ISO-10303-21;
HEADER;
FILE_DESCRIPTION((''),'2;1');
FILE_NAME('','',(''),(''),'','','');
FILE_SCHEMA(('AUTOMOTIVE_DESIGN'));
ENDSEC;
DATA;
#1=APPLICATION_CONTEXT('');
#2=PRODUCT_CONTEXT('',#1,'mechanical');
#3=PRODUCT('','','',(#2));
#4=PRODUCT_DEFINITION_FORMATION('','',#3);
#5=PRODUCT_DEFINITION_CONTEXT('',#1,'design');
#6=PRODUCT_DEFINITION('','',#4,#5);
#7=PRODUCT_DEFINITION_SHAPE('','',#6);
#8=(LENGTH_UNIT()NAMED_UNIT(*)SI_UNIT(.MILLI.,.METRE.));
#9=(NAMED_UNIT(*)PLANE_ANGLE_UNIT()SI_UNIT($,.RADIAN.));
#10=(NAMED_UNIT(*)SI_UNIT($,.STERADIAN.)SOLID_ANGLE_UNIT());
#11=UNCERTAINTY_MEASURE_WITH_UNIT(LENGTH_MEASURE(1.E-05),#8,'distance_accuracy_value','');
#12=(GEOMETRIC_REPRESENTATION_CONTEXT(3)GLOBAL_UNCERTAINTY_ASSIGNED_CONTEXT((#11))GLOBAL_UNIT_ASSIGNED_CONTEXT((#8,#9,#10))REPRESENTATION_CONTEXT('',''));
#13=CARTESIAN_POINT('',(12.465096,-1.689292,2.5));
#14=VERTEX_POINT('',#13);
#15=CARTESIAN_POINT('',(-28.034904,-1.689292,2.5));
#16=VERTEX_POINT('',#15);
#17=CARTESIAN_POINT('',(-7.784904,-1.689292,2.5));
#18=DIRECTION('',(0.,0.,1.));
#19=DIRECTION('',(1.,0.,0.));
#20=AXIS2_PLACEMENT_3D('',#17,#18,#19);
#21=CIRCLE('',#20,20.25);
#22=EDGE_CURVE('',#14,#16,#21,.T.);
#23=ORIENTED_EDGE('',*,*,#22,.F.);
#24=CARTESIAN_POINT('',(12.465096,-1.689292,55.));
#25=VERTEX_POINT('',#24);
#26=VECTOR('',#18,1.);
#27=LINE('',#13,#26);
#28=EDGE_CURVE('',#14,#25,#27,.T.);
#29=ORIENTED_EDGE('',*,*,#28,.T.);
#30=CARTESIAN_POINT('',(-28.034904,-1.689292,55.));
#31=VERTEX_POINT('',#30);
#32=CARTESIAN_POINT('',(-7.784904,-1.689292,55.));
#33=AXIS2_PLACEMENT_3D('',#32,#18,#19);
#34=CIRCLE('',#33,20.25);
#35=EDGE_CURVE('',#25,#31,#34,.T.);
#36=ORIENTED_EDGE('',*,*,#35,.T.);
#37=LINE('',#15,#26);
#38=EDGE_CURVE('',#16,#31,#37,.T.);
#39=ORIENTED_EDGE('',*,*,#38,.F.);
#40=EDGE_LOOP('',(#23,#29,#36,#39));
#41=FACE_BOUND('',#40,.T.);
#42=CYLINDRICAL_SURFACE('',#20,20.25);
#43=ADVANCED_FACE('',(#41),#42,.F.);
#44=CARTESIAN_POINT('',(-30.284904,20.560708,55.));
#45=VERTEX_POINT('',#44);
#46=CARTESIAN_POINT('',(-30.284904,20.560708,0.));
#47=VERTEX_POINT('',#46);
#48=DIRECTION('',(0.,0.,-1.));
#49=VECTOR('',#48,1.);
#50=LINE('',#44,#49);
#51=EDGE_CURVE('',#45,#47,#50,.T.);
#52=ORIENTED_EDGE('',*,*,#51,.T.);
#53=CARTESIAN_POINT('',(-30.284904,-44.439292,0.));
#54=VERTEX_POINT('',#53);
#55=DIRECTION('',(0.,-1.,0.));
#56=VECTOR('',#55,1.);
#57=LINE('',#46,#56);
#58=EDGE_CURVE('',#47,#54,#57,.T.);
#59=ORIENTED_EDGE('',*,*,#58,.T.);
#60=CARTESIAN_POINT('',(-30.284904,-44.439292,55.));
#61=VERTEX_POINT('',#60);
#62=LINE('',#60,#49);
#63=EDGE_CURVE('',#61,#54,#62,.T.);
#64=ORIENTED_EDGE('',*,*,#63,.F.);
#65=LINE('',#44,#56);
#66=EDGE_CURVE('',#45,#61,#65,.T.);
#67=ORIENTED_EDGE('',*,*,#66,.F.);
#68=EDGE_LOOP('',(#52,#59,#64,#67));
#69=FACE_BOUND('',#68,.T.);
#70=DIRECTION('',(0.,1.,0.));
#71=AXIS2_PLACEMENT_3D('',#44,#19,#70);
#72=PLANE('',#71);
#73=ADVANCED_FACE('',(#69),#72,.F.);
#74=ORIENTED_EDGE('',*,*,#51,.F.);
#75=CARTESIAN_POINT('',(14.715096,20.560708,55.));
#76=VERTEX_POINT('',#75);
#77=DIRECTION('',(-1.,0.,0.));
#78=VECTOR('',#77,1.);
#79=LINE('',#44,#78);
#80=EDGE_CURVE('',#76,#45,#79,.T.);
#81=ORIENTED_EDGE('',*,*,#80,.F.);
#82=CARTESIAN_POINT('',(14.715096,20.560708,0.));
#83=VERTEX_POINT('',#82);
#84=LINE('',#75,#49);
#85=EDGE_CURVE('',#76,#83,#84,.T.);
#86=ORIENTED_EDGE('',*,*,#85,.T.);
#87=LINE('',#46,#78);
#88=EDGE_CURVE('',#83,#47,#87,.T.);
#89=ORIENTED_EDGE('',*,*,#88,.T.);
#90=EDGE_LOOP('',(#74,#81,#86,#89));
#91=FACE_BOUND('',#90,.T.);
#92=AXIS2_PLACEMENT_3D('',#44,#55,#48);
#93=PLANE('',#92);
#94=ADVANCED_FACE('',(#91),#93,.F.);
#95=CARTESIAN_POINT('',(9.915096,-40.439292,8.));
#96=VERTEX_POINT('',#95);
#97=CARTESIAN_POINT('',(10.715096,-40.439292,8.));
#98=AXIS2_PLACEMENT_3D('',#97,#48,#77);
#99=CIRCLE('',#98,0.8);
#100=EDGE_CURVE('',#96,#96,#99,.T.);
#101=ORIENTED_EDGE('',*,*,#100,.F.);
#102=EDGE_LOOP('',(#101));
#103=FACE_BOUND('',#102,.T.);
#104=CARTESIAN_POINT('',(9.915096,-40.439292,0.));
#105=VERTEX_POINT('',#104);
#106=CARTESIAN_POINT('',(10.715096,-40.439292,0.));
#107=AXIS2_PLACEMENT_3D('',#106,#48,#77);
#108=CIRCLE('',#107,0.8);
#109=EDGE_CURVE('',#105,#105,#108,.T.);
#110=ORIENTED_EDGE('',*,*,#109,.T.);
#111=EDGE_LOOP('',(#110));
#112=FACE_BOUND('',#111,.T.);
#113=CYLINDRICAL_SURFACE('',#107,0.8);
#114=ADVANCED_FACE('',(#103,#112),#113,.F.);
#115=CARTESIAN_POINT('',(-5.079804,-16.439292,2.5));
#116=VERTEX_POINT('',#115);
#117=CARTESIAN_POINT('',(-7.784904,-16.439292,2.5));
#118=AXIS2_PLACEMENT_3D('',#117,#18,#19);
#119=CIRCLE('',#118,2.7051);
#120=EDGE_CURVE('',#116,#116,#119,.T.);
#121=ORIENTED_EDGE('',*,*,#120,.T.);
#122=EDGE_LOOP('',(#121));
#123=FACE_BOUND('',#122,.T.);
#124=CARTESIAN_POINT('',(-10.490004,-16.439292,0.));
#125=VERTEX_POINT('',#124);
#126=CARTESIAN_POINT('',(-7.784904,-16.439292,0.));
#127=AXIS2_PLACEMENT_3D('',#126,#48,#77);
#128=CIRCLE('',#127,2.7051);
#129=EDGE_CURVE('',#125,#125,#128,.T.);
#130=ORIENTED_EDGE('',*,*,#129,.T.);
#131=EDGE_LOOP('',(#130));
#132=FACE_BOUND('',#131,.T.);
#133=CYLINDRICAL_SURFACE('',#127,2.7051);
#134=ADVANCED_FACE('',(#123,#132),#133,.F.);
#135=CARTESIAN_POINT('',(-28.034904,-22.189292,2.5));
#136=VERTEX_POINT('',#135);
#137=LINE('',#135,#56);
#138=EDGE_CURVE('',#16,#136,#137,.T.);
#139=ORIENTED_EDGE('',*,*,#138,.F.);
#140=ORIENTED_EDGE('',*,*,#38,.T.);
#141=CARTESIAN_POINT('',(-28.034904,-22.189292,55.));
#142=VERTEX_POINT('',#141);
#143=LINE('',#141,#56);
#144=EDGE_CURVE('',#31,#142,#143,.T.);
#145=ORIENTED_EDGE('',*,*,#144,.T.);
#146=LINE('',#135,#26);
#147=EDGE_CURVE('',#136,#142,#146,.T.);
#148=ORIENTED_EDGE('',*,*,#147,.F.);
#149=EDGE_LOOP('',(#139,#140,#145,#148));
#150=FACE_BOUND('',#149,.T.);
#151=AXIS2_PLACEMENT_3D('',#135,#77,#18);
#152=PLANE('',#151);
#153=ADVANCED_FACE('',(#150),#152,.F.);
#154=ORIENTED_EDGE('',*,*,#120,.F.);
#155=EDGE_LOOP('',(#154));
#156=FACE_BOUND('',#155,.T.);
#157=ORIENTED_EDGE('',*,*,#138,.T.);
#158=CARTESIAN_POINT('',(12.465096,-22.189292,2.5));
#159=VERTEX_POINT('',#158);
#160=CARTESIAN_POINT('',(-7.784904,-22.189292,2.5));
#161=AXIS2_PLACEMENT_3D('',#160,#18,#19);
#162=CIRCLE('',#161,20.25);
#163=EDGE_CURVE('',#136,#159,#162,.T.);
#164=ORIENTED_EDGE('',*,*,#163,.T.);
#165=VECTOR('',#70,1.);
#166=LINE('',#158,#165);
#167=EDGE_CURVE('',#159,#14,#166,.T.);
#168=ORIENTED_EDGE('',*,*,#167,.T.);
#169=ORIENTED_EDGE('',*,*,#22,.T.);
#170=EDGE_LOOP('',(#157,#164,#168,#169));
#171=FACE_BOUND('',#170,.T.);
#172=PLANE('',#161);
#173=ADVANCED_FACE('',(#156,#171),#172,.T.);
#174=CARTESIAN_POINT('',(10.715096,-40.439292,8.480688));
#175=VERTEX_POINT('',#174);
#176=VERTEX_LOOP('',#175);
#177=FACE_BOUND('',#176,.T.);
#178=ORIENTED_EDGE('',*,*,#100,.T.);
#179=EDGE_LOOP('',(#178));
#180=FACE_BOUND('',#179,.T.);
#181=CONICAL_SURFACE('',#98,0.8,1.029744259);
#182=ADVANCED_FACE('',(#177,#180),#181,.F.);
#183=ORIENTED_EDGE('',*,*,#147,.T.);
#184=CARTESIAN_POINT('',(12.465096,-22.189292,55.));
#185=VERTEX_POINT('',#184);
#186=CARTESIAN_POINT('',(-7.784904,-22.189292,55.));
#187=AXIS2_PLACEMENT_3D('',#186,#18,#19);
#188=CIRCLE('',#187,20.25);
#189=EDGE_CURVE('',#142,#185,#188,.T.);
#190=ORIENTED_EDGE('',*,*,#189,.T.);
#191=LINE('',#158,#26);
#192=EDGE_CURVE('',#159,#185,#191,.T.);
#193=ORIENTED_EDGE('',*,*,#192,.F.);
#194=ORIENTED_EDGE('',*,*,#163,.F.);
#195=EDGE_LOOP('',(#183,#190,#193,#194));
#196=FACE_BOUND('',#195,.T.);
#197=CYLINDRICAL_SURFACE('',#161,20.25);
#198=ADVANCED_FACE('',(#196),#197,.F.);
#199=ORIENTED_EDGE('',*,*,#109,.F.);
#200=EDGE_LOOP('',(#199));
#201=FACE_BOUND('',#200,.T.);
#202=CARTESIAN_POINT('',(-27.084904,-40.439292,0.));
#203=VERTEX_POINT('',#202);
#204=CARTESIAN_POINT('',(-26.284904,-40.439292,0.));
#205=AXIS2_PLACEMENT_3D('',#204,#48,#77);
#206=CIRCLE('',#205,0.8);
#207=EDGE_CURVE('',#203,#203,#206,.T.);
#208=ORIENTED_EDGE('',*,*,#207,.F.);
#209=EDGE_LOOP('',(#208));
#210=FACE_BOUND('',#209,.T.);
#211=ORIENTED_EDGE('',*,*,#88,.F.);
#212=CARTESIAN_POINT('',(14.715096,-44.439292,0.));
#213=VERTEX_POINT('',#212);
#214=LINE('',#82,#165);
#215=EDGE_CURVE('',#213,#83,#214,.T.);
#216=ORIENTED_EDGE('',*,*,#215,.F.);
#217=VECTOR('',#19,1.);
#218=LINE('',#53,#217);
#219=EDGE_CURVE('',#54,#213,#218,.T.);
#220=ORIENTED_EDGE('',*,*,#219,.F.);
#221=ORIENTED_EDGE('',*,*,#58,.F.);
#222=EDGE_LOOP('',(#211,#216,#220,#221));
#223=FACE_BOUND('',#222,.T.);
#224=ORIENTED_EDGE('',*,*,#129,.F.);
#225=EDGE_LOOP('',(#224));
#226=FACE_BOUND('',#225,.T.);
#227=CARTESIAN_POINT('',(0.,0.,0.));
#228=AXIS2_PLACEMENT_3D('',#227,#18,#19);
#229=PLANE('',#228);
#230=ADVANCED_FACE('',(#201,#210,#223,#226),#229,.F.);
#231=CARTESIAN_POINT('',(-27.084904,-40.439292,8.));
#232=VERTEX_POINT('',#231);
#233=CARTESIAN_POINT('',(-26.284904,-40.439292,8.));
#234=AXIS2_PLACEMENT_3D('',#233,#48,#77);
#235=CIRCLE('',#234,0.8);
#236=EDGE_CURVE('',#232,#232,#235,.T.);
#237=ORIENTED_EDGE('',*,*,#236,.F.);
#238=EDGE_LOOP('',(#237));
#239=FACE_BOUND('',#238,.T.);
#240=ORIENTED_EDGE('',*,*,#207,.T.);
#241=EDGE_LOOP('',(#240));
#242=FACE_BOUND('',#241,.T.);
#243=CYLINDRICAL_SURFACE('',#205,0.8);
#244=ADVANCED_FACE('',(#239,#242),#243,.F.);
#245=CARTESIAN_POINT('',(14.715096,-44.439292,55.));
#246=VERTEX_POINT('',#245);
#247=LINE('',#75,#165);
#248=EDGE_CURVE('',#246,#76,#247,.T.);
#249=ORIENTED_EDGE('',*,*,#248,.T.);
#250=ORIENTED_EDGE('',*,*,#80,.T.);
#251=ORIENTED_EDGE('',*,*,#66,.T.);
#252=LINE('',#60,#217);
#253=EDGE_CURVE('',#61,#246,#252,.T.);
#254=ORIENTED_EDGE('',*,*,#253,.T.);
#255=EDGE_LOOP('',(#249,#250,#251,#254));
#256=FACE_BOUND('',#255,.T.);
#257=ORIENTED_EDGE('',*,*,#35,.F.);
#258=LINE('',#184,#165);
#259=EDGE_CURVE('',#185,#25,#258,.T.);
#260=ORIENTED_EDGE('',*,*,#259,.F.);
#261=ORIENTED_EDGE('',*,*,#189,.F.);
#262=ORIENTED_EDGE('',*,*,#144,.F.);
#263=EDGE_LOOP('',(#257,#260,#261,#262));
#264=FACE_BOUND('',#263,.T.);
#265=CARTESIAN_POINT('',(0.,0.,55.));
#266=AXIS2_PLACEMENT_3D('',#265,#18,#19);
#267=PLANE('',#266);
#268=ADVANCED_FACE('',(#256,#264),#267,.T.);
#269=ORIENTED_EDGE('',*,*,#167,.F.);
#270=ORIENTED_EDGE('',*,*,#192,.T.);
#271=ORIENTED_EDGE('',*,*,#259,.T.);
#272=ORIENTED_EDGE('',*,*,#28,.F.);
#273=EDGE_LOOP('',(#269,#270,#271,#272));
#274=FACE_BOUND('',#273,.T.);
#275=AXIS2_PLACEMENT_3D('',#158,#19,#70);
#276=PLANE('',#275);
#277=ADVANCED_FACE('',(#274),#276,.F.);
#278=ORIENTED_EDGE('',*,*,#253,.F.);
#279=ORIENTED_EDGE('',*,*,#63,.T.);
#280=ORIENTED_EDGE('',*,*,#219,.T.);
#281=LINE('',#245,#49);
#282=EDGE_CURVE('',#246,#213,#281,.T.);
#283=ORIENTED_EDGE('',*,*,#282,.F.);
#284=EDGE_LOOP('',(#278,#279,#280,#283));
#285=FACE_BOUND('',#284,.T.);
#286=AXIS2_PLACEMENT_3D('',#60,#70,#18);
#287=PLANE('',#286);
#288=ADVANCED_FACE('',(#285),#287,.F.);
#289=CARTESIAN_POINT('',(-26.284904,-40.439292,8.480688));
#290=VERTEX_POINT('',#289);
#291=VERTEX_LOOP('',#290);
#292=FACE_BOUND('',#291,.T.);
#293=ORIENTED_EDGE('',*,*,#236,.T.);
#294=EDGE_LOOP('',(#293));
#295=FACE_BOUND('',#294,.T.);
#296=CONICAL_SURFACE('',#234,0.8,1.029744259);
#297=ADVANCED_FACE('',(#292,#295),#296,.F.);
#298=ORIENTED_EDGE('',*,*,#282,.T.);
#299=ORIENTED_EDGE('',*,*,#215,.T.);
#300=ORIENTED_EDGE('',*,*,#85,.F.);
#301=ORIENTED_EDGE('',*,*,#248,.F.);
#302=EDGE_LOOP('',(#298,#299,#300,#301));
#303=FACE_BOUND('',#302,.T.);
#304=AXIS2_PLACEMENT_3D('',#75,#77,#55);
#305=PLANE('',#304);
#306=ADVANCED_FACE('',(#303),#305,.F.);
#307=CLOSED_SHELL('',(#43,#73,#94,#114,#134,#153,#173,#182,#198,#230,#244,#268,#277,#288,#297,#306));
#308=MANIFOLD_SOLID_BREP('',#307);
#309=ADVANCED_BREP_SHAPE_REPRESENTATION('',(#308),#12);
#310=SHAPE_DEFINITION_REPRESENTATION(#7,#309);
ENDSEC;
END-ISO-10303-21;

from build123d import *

# Parameters (mm, degrees)
SKETCH4_W                       = 45
SKETCH4_H                       = 65
BOSS_EXTRUDE2_DEPTH             = 55
CUT_EXTRUDE1_DEPTH              = 52.5
F_1_4_28_TAPPED_HOLE1_D         = 5.4102
TAP_DRILL_FOR_M2X0_4_TAP2_D     = 1.6
TAP_DRILL_FOR_M2X0_4_TAP2_DEPTH = 8
TAP_DRILL_FOR_M2X0_4_TAP2_TIP   = 0.480688495
TAP_DRILL_FOR_M2X0_4_TAP3_D     = 1.6
TAP_DRILL_FOR_M2X0_4_TAP3_DEPTH = 8
TAP_DRILL_FOR_M2X0_4_TAP3_TIP   = 0.480688495


with BuildPart() as part:
    # Sketch4 → Boss-Extrude2 (new body)
    with BuildSketch(Plane.XY):
        with Locations((-7.784904398, -11.939291809)):
            Rectangle(SKETCH4_W, SKETCH4_H)
    extrude(amount=BOSS_EXTRUDE2_DEPTH)

    # Sketch5 → Cut-Extrude1 (cut)
    with BuildSketch(Plane.XY.offset(55)):
        with BuildLine():
            Line((-28.034904398, -22.189291809), (-28.034904398, -1.689291809))
            ThreePointArc((-28.034904398, -1.689291809), (-7.784904398, 18.560708191), (12.465095602, -1.689291809))
            Line((12.465095602, -1.689291809), (12.465095602, -22.189291809))
            ThreePointArc((12.465095602, -22.189291809), (-7.784904398, -42.439291809), (-28.034904398, -22.189291809))
        make_face()
    extrude(amount=-CUT_EXTRUDE1_DEPTH, mode=Mode.SUBTRACT)

    # 1/4-28 Tapped Hole1 (through all)
    with Locations(Plane(origin=(0, 0, 0), x_dir=(-1, 0, 0), z_dir=(0, 0, -1))):
        with Locations((7.784904398, -16.439291809)):
            Hole(F_1_4_28_TAPPED_HOLE1_D / 2)

    # Tap Drill for M2x0.4 Tap2
    with Locations(Plane(origin=(0, 0, 0), x_dir=(-1, 0, 0), z_dir=(0, 0, -1))):
        with Locations((-10.715095602, -40.439291809)):
            Hole(TAP_DRILL_FOR_M2X0_4_TAP2_D / 2, depth=TAP_DRILL_FOR_M2X0_4_TAP2_DEPTH)
            with Locations((0, 0, -(TAP_DRILL_FOR_M2X0_4_TAP2_DEPTH + TAP_DRILL_FOR_M2X0_4_TAP2_TIP / 2))):  # 118° drill point
                Cone(0, TAP_DRILL_FOR_M2X0_4_TAP2_D / 2, TAP_DRILL_FOR_M2X0_4_TAP2_TIP, mode=Mode.SUBTRACT)

    # Tap Drill for M2x0.4 Tap3
    with Locations(Plane(origin=(-26.284904398, -40.439291809, 0), x_dir=(-1, 0, 0), z_dir=(0, 0, -1))):
        with Locations((0, 0)):
            Hole(TAP_DRILL_FOR_M2X0_4_TAP3_D / 2, depth=TAP_DRILL_FOR_M2X0_4_TAP3_DEPTH)
            with Locations((0, 0, -(TAP_DRILL_FOR_M2X0_4_TAP3_DEPTH + TAP_DRILL_FOR_M2X0_4_TAP3_TIP / 2))):  # 118° drill point
                Cone(0, TAP_DRILL_FOR_M2X0_4_TAP3_D / 2, TAP_DRILL_FOR_M2X0_4_TAP3_TIP, mode=Mode.SUBTRACT)


solid = part.part
